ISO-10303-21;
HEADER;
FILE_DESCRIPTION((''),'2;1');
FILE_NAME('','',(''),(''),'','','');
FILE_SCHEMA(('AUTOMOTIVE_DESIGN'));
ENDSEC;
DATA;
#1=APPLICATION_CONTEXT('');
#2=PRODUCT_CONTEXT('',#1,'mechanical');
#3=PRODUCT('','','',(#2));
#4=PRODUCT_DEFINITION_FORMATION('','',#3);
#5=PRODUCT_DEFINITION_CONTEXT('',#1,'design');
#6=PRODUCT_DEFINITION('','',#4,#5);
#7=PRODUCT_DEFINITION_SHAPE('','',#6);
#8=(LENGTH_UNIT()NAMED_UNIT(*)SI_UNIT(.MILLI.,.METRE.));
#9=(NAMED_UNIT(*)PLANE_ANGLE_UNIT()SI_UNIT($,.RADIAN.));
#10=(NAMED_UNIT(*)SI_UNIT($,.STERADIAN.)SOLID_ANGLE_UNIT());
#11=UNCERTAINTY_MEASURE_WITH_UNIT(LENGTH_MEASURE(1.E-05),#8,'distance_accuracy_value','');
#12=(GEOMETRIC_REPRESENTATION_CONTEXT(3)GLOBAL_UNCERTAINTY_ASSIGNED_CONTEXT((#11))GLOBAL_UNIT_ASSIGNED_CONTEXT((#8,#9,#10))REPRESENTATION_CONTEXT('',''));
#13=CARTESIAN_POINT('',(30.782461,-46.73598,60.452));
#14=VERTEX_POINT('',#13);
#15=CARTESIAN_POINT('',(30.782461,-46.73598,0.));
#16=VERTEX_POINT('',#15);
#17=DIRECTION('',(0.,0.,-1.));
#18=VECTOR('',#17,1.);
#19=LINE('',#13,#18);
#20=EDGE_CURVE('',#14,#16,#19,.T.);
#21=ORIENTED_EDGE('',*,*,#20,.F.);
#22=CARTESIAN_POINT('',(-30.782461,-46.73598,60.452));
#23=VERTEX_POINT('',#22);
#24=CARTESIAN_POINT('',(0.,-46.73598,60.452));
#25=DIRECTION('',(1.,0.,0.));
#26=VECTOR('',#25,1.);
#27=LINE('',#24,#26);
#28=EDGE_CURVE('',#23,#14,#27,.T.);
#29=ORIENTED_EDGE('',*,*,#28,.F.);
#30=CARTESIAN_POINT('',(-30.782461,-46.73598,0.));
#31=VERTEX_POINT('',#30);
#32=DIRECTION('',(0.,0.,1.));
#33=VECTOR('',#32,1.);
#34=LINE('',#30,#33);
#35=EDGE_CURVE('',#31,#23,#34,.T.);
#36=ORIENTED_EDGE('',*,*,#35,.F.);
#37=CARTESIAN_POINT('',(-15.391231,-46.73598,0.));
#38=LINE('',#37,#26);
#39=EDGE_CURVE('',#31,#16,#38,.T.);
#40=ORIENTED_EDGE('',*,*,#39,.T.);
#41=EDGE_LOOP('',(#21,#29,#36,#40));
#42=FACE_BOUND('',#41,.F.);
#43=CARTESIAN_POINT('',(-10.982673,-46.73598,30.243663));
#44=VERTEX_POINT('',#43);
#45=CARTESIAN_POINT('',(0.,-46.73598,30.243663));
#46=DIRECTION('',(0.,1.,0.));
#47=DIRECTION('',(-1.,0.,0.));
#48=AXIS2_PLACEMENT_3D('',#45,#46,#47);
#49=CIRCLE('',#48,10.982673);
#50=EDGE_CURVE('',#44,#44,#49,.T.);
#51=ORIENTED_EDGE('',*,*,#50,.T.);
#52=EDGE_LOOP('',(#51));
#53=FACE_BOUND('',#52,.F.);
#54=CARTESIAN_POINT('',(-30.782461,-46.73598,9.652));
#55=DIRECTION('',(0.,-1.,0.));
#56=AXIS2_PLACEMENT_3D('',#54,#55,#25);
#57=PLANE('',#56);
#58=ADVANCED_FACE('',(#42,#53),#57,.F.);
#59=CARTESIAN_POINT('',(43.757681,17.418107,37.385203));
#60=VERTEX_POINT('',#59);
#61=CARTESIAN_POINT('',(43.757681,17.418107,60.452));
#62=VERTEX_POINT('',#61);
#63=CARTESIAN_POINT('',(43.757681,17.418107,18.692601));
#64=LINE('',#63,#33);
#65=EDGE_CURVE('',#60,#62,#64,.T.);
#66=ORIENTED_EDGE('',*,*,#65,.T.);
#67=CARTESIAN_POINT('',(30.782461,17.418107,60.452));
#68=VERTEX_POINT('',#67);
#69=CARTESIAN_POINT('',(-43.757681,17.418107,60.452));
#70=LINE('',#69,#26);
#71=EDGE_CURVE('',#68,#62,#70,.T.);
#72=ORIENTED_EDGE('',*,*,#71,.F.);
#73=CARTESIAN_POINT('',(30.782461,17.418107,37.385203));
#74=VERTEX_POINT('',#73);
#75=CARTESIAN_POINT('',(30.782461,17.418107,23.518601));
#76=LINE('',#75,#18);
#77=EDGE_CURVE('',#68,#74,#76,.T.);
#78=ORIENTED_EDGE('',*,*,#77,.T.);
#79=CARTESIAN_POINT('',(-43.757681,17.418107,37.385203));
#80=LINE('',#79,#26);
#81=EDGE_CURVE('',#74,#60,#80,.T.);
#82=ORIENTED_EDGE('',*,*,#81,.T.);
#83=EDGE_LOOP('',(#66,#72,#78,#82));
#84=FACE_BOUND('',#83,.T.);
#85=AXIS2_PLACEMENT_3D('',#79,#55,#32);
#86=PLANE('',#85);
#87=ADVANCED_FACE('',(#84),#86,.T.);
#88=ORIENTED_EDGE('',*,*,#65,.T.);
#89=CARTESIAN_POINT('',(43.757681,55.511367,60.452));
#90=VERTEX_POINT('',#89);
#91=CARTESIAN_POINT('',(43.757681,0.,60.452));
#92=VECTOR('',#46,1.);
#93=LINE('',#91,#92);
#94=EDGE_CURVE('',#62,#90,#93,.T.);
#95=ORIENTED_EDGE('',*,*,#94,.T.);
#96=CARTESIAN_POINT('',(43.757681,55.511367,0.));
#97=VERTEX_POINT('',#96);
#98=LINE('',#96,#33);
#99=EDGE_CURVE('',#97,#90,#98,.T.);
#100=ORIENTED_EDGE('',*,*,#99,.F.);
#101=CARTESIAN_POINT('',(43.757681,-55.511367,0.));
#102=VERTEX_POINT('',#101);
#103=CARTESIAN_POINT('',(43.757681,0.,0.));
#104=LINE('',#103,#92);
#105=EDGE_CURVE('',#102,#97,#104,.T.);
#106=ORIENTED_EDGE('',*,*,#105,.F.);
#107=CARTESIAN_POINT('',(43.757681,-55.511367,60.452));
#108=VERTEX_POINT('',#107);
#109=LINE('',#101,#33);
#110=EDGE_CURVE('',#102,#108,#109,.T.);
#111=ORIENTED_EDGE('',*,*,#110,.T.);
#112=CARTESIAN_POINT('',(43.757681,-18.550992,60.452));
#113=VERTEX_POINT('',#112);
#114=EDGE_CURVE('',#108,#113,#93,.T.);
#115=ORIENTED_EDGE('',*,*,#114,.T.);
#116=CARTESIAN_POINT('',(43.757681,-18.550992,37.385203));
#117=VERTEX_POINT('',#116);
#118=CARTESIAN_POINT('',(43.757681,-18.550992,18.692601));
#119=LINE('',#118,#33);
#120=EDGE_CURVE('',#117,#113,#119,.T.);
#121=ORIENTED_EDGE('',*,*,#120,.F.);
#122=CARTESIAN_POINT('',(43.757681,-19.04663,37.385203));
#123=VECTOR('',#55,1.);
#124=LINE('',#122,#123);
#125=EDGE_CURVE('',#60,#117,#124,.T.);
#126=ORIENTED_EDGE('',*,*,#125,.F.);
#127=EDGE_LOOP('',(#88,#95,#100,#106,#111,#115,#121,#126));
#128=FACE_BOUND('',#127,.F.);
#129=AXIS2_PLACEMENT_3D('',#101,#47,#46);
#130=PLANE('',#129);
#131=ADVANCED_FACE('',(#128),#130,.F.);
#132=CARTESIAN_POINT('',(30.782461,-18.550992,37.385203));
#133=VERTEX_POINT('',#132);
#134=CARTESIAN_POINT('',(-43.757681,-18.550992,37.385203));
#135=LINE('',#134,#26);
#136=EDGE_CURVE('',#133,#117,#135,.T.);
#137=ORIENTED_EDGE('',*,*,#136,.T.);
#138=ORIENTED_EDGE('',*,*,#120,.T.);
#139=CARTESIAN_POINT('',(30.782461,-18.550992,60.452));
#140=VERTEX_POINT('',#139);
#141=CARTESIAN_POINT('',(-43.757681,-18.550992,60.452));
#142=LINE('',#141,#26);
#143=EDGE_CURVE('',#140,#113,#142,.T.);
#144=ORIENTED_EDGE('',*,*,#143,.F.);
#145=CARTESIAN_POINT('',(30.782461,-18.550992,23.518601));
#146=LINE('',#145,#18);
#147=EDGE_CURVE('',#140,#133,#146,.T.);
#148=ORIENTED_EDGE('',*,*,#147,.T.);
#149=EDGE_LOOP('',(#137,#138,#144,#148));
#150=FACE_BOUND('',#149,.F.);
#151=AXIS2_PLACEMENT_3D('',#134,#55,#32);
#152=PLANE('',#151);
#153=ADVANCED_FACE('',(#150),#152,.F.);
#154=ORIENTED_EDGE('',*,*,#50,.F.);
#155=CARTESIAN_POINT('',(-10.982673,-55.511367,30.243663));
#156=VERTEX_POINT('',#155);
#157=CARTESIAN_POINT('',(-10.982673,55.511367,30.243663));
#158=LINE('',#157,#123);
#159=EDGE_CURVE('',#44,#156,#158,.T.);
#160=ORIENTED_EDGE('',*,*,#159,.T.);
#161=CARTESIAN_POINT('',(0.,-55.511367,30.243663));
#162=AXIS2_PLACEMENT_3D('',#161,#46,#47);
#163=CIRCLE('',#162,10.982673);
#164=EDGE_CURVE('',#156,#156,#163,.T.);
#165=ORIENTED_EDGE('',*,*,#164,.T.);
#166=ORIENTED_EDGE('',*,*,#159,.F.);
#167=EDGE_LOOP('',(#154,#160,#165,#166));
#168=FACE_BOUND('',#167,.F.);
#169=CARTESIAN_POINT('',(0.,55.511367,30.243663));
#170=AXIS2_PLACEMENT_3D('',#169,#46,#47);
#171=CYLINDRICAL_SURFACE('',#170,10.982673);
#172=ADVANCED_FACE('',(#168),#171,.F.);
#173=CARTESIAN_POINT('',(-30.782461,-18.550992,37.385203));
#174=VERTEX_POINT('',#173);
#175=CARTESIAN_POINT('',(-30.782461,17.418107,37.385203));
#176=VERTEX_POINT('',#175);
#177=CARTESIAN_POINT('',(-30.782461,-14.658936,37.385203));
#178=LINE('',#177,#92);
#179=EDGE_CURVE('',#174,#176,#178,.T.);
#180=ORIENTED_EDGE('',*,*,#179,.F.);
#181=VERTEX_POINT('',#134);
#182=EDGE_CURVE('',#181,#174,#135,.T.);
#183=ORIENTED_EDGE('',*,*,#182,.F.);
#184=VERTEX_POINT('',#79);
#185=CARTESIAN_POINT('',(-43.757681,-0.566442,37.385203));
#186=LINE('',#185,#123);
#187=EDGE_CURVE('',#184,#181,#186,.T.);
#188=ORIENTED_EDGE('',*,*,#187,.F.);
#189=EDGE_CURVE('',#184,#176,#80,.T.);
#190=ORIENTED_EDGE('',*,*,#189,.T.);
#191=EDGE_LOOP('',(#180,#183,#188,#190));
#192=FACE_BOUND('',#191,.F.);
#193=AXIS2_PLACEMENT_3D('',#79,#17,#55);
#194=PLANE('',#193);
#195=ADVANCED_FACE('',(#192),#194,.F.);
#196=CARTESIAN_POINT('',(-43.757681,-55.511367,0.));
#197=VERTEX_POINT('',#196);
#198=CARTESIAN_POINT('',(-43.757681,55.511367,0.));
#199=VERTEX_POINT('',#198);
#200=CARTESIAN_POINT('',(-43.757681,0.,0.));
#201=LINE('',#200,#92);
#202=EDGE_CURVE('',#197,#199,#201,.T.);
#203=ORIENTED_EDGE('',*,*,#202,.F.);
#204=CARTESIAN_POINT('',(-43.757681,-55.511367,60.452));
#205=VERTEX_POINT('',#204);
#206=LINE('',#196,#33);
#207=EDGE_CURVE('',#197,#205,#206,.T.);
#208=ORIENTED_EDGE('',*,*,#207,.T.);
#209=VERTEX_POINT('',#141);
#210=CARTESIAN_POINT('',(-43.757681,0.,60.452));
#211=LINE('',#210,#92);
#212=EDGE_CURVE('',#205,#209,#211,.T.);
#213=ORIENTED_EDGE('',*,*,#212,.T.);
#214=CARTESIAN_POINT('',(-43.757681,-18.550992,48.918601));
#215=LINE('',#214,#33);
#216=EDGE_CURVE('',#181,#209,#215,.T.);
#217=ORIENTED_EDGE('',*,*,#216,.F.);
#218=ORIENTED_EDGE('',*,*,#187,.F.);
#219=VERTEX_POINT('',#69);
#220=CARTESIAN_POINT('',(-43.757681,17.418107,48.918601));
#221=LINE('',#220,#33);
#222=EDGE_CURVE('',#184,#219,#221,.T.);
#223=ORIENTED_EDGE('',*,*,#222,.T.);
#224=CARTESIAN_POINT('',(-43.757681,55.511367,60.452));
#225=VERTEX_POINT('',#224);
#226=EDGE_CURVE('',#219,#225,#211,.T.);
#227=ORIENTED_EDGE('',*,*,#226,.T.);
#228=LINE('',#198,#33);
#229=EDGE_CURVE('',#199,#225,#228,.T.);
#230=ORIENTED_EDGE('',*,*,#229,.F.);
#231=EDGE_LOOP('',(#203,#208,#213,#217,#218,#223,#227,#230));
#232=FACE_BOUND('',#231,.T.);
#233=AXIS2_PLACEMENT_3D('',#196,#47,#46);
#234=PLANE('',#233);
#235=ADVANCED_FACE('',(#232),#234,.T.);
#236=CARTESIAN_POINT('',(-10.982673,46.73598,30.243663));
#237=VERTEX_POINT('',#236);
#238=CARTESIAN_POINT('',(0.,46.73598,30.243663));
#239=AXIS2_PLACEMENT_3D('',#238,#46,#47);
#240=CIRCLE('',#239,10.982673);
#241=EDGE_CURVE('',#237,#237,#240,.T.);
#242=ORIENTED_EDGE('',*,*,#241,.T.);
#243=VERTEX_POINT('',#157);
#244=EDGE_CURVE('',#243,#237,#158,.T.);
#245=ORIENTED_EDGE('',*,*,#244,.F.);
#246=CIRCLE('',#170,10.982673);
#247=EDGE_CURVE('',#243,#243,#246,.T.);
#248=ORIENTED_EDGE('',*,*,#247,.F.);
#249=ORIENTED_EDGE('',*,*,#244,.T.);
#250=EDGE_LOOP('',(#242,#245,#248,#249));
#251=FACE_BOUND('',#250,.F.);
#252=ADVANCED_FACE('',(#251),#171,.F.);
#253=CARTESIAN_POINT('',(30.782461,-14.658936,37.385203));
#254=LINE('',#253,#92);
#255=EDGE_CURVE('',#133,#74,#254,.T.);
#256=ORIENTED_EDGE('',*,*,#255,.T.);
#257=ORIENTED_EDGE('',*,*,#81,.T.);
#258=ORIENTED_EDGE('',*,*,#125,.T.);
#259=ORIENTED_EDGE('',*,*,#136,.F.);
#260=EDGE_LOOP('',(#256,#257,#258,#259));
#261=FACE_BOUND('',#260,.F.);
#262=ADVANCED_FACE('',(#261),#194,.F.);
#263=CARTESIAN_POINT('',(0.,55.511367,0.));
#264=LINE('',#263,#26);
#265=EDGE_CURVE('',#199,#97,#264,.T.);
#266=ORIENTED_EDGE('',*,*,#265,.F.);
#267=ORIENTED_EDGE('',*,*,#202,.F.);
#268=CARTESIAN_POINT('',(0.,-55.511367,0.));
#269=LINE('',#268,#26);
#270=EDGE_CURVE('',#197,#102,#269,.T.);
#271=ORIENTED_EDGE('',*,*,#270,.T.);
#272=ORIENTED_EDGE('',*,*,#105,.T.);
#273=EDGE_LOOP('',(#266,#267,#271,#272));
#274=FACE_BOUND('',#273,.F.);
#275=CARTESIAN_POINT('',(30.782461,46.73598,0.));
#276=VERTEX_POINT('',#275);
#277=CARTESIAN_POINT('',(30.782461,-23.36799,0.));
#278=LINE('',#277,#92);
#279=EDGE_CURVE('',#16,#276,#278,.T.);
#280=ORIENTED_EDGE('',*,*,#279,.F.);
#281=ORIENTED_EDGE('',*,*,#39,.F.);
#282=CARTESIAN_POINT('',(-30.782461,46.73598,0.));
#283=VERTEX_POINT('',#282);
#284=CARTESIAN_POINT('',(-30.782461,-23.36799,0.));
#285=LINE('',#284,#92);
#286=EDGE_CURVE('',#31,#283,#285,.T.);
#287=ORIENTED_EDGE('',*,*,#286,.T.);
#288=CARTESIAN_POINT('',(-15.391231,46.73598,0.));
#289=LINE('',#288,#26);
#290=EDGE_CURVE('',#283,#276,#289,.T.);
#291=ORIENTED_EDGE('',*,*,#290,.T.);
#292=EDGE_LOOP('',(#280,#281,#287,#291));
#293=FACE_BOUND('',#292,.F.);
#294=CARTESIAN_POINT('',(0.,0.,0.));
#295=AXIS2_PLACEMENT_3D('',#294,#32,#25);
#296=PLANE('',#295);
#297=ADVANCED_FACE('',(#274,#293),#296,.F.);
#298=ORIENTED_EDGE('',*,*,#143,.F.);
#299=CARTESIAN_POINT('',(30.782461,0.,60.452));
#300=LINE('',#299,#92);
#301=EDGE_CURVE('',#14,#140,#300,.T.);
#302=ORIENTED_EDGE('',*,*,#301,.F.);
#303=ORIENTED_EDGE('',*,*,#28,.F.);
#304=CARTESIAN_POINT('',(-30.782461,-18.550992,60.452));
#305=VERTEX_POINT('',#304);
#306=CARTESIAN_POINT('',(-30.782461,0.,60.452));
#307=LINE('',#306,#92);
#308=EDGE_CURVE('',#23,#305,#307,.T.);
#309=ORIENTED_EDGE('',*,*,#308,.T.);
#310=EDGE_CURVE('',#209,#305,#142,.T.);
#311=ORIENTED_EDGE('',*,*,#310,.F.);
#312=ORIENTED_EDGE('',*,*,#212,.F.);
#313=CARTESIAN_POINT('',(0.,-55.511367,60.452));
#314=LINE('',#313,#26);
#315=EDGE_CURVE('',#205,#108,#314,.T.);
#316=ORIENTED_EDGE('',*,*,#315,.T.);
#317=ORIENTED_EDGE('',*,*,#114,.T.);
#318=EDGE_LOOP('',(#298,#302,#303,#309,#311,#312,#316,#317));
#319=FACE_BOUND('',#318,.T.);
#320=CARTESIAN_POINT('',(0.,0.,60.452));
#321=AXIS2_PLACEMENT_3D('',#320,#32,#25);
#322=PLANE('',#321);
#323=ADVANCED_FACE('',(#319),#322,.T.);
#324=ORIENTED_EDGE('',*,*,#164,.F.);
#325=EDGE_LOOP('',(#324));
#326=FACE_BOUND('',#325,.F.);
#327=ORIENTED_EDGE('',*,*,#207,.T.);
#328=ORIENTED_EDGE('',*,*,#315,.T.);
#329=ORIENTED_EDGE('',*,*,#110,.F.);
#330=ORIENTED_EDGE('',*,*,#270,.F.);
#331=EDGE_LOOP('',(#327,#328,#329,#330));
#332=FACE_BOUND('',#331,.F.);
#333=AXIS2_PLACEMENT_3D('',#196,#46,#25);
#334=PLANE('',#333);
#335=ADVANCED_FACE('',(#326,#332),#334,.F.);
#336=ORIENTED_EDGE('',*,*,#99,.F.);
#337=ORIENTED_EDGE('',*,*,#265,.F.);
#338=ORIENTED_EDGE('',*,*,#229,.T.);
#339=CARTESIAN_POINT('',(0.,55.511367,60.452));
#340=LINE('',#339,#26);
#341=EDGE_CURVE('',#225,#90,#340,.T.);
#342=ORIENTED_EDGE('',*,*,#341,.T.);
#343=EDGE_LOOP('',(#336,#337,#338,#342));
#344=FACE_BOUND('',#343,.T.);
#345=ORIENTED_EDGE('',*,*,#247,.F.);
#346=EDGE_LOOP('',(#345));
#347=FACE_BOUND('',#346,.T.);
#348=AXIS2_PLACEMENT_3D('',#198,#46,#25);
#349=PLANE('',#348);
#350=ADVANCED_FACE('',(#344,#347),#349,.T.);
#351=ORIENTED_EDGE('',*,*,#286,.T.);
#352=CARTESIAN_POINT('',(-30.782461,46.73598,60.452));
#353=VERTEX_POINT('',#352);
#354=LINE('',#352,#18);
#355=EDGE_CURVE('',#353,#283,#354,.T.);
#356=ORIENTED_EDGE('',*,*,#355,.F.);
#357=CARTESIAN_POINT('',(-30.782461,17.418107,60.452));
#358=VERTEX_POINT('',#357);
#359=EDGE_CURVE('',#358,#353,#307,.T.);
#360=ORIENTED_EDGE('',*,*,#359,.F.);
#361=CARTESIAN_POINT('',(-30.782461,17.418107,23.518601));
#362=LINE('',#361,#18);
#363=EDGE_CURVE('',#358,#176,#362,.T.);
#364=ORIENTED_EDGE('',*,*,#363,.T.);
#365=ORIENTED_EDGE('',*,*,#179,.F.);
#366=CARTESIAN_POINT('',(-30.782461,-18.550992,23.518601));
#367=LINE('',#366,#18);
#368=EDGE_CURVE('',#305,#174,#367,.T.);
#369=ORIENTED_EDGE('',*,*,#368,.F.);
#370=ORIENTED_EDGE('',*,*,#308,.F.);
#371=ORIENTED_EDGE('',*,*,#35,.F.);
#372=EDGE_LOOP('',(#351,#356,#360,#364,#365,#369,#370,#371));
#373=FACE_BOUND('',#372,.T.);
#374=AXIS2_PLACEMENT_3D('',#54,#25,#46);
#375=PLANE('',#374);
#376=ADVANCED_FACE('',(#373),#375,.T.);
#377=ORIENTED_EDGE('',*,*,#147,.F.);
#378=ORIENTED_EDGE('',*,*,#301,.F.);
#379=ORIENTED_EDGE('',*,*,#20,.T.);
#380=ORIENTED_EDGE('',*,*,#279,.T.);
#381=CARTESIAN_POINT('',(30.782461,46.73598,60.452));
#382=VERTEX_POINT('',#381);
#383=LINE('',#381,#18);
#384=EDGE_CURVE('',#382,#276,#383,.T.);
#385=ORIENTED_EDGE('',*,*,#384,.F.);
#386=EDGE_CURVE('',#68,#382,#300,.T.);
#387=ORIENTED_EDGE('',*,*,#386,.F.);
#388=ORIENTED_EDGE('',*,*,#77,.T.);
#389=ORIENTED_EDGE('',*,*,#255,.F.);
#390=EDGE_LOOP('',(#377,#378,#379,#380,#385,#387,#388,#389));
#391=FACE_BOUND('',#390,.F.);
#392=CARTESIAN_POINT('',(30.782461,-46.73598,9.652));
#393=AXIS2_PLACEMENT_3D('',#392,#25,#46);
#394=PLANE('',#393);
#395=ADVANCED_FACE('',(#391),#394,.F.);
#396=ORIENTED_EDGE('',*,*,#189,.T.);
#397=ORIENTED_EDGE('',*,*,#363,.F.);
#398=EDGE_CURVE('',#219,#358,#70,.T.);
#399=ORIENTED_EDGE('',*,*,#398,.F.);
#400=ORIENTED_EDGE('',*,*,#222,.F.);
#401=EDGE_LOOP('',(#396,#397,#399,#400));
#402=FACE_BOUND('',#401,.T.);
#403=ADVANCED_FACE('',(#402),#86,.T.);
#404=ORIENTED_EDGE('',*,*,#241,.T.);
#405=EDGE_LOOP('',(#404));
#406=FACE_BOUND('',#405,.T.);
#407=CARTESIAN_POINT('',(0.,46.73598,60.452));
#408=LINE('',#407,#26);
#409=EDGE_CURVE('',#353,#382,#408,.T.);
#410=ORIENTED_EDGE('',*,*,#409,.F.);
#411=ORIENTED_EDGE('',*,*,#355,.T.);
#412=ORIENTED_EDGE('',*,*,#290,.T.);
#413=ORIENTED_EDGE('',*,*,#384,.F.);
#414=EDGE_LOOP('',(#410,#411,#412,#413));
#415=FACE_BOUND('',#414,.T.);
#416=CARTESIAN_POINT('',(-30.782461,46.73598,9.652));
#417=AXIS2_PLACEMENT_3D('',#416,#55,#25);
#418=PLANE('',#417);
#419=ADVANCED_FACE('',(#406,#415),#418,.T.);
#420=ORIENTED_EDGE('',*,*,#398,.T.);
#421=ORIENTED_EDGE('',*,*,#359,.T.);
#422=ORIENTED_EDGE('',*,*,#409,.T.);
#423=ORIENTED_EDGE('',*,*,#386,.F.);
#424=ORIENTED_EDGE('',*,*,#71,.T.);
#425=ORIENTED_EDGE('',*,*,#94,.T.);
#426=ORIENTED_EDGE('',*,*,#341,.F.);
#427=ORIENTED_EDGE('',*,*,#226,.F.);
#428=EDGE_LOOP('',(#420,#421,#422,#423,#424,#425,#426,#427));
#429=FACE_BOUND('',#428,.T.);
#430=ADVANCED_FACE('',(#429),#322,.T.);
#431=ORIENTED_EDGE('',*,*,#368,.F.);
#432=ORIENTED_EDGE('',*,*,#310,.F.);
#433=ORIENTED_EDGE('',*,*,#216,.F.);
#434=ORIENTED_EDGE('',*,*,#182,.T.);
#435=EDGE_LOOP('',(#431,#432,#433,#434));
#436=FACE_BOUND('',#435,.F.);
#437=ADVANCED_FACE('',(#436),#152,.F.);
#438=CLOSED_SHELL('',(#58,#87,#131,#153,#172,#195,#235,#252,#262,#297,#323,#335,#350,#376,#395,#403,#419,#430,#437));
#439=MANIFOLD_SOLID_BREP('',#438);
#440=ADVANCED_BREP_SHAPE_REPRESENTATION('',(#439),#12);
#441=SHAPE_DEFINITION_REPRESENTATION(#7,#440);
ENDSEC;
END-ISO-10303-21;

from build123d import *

# Parameters (mm, degrees)
F0_W     = 87.5153616071
F0_H     = 111.0227331519
F1_DEPTH = 60.452
F2_W     = 61.5649223328
F2_H     = 93.4719592333
F3_DEPTH = 25.4
F4_DEPTH = 25.4
F5_DEPTH = 25.4
F6_R     = 10.9826729048
F7_DEPTH = 111.0237331519
F8_W     = 35.9690990299
F8_H     = 23.0667970557
F9_DEPTH = 87.5163616071


with BuildPart() as f1:
    # F0 (on Top) → F1 (new body)
    with BuildSketch(Plane.XY):
        Rectangle(F0_W, F0_H)
    extrude(amount=F1_DEPTH)

    # F2 (on face) → F3 (cut)
    with BuildSketch(Plane.XY.offset(60.452)):
        Rectangle(F2_W, F2_H)
    extrude(amount=-F3_DEPTH, mode=Mode.SUBTRACT)

    # F4 (cut): a face of the model
    f4_faces = [f1.faces().sort_by_distance(p)[0] for p in [
        (0, 0, 35.052),
    ]]
    extrude(f4_faces, amount=-F4_DEPTH, mode=Mode.SUBTRACT)

    # F5 (cut): a face of the model
    f5_faces = [f1.faces().sort_by_distance(p)[0] for p in [
        (0, 0, 9.652),
    ]]
    extrude(f5_faces, amount=-F5_DEPTH, mode=Mode.SUBTRACT)

    # F6 (on face) → F7 (cut, through all)
    with BuildSketch(Plane(origin=(0, 55.511366576, 0), x_dir=(-1, 0, 0), z_dir=(0, 1, 0))):
        with Locations((0, 30.2436631173)):
            Circle(F6_R)
    extrude(amount=-F7_DEPTH, mode=Mode.SUBTRACT)

    # F8 (on face) → F9 (cut, through all)
    with BuildSketch(Plane(origin=(-43.7576808035, 0, 0), x_dir=(0, -1, 0), z_dir=(-1, 0, 0))):
        with Locations((0.5664424971, 48.9186014721)):
            Rectangle(F8_W, F8_H)
    extrude(amount=-F9_DEPTH, mode=Mode.SUBTRACT)


solid = f1.part
